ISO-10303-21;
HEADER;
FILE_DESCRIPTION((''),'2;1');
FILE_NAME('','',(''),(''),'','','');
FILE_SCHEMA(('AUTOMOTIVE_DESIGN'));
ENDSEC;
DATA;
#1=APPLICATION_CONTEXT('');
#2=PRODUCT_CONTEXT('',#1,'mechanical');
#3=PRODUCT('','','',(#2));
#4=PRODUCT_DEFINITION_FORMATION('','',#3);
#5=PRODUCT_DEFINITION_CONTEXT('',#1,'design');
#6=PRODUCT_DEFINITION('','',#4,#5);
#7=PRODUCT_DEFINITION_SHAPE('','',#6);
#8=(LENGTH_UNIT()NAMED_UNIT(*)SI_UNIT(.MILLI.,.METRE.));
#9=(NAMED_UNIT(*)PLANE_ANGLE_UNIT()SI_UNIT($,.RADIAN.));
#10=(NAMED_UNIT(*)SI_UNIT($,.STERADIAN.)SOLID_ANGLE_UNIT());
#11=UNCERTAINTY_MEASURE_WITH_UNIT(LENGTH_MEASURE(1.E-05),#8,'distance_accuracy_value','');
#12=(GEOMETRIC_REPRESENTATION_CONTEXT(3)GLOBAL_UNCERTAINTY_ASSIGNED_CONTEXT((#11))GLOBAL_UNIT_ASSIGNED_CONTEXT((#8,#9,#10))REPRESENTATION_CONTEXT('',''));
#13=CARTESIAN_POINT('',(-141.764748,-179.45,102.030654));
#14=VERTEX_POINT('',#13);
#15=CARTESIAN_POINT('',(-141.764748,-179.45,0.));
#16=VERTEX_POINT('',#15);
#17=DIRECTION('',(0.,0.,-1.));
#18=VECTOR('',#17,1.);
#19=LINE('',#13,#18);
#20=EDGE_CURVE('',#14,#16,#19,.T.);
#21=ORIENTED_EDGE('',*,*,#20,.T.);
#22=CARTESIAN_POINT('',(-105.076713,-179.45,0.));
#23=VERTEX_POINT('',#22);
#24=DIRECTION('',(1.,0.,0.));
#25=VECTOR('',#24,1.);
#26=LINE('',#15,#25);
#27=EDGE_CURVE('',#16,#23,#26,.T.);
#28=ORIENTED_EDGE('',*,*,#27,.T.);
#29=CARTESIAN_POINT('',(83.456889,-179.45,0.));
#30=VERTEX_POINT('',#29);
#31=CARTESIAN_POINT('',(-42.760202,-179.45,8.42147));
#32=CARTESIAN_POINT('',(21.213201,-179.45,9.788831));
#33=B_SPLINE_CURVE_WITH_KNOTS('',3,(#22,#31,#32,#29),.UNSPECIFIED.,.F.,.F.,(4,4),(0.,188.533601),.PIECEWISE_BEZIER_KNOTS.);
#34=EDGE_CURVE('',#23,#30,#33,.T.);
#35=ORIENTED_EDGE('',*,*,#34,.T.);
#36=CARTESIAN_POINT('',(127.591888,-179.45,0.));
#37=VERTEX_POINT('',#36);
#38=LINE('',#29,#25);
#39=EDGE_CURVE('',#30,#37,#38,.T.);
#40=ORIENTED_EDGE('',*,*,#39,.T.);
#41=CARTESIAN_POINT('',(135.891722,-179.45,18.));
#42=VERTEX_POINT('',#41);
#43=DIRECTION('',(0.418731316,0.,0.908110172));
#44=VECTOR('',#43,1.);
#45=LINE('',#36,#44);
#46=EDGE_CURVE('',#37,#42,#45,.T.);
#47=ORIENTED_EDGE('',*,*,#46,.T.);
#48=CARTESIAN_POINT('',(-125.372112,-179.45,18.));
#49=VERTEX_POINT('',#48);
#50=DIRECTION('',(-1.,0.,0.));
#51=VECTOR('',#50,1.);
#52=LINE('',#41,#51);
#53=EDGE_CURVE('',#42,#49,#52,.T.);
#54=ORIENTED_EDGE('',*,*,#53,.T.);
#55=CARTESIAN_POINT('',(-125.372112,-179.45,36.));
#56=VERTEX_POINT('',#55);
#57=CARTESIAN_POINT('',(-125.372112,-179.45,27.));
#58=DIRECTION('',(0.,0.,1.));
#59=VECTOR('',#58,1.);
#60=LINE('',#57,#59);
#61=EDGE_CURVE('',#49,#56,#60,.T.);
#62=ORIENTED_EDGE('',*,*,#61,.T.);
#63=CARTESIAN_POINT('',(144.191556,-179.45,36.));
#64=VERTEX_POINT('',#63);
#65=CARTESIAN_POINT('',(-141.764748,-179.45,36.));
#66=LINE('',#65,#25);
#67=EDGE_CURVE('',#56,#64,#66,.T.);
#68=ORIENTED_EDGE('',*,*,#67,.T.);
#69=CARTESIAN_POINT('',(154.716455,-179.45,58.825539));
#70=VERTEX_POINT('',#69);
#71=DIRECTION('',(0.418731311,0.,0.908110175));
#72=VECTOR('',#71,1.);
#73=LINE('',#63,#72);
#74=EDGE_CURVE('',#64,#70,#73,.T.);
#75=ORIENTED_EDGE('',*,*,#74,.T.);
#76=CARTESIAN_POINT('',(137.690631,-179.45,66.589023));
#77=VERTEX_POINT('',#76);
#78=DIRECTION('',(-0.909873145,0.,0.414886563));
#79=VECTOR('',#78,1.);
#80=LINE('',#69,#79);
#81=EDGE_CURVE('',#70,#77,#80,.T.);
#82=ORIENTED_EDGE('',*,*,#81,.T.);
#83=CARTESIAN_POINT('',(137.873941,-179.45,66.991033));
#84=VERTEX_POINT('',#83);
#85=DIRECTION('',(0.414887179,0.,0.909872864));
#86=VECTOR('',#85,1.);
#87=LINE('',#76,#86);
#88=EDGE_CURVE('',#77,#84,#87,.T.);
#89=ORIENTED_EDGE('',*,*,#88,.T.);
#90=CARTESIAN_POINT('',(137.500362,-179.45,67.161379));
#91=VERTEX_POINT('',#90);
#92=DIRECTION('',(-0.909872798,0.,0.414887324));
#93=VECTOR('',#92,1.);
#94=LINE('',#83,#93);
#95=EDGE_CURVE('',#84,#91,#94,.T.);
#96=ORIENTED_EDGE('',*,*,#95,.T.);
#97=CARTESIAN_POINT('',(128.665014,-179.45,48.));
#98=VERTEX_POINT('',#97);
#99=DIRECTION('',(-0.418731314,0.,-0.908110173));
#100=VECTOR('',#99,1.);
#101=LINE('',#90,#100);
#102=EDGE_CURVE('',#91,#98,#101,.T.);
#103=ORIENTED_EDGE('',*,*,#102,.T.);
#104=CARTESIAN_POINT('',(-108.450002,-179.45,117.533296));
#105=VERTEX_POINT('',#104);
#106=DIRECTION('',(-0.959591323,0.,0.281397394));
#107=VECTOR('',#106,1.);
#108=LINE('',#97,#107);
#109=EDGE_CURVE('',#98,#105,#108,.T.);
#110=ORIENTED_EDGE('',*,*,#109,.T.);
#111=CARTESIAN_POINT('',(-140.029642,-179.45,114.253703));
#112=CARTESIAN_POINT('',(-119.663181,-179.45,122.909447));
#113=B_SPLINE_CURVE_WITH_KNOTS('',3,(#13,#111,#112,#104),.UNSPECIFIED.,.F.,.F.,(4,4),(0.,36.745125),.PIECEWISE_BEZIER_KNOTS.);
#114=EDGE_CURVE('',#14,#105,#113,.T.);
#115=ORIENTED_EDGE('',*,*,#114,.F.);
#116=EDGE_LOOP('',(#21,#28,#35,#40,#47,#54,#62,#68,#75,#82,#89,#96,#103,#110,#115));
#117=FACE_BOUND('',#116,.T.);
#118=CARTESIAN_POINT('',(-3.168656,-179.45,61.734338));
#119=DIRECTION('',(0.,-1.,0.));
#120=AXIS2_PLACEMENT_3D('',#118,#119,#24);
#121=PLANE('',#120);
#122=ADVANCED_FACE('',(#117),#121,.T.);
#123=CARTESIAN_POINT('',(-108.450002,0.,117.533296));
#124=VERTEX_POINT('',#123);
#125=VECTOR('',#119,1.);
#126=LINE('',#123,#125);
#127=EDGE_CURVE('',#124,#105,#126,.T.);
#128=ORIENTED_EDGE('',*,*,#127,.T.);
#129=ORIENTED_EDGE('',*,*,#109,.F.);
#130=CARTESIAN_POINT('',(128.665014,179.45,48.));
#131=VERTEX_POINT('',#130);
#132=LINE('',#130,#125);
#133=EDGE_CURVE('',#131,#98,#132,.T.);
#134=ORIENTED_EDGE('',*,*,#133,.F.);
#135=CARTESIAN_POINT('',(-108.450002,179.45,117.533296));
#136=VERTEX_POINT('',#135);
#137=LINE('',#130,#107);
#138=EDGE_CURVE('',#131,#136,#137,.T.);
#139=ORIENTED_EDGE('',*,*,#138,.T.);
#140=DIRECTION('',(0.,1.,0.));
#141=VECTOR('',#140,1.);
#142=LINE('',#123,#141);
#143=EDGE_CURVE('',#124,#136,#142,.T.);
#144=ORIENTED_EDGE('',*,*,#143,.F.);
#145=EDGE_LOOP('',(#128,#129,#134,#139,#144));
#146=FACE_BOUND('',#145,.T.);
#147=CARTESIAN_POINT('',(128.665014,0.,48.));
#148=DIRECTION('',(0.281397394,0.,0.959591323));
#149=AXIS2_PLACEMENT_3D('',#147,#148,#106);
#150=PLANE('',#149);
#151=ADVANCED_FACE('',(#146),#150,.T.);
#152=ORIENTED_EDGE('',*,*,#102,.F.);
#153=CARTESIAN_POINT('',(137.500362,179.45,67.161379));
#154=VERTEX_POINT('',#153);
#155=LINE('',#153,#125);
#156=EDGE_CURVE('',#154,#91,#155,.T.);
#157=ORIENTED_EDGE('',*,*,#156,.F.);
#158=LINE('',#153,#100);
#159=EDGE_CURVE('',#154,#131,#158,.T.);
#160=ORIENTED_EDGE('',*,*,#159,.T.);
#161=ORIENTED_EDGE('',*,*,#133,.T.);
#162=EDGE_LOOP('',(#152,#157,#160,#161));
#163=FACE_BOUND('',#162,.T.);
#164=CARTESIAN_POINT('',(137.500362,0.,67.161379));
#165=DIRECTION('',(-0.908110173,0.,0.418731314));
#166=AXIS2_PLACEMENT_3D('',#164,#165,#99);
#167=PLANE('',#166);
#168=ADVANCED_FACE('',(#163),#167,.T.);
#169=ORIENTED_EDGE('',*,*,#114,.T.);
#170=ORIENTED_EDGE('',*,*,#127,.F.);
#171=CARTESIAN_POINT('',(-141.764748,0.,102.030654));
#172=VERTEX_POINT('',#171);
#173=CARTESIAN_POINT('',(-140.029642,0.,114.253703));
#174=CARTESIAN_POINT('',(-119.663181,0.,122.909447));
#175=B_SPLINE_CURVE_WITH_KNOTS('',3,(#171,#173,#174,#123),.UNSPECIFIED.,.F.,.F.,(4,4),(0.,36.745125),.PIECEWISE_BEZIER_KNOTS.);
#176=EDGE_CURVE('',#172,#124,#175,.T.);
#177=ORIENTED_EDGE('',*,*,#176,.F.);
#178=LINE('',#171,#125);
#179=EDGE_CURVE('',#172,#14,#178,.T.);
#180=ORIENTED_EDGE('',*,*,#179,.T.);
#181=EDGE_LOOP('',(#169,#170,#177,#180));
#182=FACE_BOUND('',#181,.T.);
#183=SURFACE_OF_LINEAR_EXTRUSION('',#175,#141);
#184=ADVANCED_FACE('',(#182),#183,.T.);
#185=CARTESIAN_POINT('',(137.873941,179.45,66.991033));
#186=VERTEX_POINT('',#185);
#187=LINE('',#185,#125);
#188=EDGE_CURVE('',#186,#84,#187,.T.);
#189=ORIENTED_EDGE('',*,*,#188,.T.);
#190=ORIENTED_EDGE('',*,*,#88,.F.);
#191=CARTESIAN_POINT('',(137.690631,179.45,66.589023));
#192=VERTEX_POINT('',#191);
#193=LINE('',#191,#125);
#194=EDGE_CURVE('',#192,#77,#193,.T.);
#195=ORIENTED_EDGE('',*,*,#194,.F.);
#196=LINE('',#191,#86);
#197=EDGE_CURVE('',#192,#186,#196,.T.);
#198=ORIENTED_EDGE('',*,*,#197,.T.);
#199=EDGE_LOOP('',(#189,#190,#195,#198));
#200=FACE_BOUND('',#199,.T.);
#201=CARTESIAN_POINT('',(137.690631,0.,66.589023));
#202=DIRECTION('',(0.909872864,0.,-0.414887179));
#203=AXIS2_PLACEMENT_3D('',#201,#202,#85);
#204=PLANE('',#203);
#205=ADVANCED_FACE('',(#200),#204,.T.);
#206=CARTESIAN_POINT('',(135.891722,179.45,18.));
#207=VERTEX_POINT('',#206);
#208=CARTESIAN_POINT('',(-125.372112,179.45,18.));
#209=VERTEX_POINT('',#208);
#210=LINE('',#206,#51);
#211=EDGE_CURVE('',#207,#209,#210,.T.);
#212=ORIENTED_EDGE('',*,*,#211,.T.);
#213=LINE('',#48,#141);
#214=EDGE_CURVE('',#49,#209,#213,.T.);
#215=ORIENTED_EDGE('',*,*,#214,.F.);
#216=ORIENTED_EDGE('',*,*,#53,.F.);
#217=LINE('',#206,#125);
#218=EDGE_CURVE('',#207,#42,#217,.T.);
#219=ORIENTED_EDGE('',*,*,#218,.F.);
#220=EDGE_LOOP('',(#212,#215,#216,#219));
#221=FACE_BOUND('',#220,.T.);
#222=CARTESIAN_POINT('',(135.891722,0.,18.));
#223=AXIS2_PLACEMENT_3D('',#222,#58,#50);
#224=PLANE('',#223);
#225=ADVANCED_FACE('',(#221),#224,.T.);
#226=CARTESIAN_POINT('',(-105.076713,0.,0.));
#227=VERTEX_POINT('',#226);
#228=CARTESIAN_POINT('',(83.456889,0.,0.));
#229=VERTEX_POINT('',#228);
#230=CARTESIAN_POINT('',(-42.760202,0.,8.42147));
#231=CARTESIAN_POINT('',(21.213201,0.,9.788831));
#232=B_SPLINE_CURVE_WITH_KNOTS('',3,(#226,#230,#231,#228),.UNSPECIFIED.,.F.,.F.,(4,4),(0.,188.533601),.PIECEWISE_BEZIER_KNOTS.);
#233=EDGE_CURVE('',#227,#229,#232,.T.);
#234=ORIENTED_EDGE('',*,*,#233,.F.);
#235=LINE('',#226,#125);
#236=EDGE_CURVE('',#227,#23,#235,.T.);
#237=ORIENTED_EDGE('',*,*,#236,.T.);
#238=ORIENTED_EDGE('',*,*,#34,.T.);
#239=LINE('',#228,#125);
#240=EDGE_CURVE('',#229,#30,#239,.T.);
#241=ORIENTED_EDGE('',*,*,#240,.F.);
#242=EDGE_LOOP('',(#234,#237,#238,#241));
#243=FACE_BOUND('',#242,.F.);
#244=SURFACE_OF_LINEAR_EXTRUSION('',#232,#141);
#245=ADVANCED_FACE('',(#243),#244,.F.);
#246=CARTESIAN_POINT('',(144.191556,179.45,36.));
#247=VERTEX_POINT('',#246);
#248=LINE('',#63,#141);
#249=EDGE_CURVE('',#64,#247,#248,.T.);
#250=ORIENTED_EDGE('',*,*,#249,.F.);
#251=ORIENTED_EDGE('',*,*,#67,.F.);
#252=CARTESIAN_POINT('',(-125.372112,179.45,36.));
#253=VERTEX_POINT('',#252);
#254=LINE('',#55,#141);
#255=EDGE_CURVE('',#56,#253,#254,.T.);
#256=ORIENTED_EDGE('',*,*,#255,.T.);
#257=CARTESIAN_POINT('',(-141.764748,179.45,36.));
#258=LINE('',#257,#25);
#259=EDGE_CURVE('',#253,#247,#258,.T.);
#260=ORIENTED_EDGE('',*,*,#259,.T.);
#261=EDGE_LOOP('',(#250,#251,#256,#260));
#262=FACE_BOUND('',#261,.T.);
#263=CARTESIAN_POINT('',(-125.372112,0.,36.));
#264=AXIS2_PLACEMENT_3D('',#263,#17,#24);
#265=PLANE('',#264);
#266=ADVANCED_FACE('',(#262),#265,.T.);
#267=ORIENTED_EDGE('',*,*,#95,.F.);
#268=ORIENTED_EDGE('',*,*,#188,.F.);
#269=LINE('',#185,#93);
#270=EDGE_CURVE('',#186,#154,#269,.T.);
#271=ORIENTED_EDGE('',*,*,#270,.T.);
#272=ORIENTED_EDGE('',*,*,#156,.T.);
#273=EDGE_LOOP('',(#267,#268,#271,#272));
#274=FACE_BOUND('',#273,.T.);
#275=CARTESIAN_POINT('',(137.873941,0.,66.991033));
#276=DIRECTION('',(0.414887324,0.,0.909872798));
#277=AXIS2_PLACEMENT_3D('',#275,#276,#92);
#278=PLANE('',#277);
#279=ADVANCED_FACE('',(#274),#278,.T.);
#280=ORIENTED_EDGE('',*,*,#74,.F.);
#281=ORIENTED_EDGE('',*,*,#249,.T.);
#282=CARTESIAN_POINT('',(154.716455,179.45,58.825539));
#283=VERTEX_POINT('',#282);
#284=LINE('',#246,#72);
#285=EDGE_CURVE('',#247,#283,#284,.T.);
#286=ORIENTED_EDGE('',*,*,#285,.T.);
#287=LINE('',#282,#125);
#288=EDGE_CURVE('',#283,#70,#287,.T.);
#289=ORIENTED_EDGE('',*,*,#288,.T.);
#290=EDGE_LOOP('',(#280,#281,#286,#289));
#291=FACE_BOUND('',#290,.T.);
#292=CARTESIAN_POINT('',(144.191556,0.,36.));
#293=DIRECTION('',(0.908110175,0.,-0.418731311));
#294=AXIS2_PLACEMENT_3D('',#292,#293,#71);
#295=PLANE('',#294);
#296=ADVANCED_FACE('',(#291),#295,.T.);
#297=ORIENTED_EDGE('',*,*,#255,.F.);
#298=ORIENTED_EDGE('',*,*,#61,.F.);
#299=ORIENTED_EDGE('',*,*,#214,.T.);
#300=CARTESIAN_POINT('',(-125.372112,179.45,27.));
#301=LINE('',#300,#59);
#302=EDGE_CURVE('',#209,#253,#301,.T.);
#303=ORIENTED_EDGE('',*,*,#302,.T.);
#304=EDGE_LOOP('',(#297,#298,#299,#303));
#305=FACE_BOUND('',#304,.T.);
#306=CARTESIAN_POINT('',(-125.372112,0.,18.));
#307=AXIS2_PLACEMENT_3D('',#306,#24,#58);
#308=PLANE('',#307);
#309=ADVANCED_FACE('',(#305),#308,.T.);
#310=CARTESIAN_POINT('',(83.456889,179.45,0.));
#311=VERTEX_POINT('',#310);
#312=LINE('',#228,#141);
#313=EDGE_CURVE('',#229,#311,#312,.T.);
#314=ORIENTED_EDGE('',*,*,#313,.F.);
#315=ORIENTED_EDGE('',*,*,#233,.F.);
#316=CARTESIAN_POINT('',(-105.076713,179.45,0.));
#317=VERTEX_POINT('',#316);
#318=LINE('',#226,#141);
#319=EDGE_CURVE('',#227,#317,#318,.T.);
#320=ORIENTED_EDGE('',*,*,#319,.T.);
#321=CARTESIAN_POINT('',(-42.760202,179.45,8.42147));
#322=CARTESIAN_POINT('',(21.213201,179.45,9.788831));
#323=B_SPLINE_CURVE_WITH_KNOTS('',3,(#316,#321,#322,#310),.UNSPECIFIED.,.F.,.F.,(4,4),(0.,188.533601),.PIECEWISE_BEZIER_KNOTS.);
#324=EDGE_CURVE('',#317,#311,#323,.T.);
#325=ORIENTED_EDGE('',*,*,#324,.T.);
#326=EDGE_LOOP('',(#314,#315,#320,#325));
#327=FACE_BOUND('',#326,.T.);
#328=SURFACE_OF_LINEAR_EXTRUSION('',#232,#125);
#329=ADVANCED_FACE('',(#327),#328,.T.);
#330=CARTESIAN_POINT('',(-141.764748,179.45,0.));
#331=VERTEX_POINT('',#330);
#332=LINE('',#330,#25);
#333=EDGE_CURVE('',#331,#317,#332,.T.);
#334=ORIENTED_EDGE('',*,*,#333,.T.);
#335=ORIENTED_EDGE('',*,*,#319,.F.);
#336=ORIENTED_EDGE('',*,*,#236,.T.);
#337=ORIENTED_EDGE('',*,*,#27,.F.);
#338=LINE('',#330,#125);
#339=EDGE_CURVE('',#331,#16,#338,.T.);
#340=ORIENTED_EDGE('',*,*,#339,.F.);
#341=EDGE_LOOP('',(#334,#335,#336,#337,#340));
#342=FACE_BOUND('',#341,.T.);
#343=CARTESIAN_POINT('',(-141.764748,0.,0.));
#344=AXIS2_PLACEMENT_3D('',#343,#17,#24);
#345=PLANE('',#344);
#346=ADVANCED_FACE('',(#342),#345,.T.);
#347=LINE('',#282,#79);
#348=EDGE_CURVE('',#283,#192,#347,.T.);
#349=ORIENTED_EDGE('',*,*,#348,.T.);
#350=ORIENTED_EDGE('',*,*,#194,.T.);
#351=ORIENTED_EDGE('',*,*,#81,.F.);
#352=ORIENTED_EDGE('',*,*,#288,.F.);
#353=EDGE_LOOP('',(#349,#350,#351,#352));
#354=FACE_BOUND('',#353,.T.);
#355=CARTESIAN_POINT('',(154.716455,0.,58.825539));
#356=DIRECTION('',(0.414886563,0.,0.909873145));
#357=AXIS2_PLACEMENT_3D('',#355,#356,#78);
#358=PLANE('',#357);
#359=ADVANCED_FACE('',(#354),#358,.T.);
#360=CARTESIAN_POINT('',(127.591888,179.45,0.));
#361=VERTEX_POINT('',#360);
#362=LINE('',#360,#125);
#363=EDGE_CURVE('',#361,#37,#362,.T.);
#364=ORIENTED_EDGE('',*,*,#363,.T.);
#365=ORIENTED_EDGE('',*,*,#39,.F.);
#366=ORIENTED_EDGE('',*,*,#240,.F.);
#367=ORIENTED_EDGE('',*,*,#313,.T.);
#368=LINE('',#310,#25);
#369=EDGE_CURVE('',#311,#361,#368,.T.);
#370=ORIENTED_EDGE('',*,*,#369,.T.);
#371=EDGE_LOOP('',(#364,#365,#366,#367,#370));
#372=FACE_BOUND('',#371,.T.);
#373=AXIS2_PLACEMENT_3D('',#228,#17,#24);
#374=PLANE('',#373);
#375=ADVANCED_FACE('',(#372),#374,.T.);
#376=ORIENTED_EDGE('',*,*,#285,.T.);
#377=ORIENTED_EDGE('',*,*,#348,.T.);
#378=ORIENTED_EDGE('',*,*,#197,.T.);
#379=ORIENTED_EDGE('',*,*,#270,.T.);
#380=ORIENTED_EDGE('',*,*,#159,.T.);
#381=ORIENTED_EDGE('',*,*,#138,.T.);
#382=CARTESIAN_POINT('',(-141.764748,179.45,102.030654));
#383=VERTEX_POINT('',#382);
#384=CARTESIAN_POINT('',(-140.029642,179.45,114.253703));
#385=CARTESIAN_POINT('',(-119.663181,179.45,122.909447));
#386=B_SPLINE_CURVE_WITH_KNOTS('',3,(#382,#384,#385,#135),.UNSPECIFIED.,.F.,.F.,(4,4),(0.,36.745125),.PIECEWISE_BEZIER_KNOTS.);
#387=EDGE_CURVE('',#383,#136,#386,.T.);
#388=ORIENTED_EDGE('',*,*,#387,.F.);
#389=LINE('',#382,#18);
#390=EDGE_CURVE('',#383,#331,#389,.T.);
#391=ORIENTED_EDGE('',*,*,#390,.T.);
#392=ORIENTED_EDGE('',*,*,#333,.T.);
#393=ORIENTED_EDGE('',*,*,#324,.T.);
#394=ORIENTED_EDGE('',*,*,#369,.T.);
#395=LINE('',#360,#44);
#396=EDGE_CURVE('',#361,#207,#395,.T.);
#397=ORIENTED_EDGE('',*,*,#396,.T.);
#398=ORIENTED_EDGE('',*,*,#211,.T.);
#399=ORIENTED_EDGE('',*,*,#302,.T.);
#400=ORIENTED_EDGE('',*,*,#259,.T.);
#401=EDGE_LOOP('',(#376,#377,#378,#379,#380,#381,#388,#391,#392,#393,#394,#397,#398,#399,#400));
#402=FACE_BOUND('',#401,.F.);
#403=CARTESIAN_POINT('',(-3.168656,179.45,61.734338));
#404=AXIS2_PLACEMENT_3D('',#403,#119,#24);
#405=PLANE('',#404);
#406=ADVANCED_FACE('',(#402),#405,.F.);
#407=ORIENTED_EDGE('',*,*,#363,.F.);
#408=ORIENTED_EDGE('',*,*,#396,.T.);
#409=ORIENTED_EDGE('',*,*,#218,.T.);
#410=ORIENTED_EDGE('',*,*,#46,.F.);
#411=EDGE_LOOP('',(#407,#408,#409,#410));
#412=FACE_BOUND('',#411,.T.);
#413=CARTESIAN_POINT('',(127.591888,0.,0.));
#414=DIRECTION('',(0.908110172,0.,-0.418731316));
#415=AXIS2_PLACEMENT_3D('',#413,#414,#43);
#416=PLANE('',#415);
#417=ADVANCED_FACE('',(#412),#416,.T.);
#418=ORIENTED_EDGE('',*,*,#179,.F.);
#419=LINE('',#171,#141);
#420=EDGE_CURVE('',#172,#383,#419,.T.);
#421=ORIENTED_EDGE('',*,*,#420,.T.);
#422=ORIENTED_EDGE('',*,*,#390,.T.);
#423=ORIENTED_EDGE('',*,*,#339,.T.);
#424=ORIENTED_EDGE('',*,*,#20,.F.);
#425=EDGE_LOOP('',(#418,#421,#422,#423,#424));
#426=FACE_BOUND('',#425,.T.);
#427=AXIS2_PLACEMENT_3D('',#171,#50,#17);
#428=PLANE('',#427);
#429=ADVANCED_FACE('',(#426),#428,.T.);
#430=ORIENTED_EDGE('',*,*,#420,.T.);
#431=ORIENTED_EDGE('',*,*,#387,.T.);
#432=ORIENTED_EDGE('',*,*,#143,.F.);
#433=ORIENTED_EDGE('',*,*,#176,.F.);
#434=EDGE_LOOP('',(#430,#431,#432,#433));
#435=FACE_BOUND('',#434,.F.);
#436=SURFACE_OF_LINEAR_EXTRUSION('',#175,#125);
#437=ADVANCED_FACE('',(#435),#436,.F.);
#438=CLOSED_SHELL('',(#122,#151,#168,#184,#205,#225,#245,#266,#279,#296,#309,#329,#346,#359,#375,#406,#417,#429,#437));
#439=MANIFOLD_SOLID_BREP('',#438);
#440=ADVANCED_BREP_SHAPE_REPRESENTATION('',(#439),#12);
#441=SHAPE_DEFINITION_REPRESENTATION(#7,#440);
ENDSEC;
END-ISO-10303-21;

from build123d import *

# Parameters (mm, degrees)
F0_W     = 16.392636
F0_H     = 18
F1_DEPTH = 179.45


with BuildPart() as f1:
    # F0 (on Front) → F1 (new body, symmetric)
    with BuildSketch(Plane.XZ):
        with BuildLine():
            Line((-125.372112, 36), (144.191556, 36))
            Line((144.191556, 36), (154.716455, 58.825539))
            Line((154.716455, 58.825539), (137.690631, 66.589023))
            Line((137.690631, 66.589023), (137.873941, 66.991033))
            Line((137.873941, 66.991033), (137.500362, 67.161379))
            Line((137.500362, 67.161379), (128.665014, 48))
            Line((128.665014, 48), (-108.450002, 117.533296))
            add(Edge.make_bspline(
                [(-141.764748, 102.030654), (-140.029642, 114.253703), (-119.663181, 122.909447), (-108.450002, 117.533296)],
                knots=[0, 0, 0, 0, 36.745125, 36.745125, 36.745125, 36.745125], degree=3))
            Line((-141.764748, 102.030654), (-141.764748, 36))
            Line((-141.764748, 36), (-125.372112, 36))
        make_face()
        with BuildLine():
            add(Edge.make_bspline(
                [(-105.076713, 0), (-42.760202, 8.42147), (21.213201, 9.788831), (83.456889, 0)],
                knots=[0, 0, 0, 0, 188.533601, 188.533601, 188.533601, 188.533601], degree=3))
            Line((83.456889, 0), (127.591888, 0))
            Line((127.591888, 0), (135.891722, 18))
            Line((135.891722, 18), (-125.372112, 18))
            Line((-125.372112, 18), (-141.764748, 18))
            Line((-141.764748, 18), (-141.764748, 0))
            Line((-141.764748, 0), (-105.076713, 0))
        make_face()
        with Locations((-133.56843, 27)):
            Rectangle(F0_W, F0_H)
    extrude(amount=F1_DEPTH, both=True)


solid = f1.part
